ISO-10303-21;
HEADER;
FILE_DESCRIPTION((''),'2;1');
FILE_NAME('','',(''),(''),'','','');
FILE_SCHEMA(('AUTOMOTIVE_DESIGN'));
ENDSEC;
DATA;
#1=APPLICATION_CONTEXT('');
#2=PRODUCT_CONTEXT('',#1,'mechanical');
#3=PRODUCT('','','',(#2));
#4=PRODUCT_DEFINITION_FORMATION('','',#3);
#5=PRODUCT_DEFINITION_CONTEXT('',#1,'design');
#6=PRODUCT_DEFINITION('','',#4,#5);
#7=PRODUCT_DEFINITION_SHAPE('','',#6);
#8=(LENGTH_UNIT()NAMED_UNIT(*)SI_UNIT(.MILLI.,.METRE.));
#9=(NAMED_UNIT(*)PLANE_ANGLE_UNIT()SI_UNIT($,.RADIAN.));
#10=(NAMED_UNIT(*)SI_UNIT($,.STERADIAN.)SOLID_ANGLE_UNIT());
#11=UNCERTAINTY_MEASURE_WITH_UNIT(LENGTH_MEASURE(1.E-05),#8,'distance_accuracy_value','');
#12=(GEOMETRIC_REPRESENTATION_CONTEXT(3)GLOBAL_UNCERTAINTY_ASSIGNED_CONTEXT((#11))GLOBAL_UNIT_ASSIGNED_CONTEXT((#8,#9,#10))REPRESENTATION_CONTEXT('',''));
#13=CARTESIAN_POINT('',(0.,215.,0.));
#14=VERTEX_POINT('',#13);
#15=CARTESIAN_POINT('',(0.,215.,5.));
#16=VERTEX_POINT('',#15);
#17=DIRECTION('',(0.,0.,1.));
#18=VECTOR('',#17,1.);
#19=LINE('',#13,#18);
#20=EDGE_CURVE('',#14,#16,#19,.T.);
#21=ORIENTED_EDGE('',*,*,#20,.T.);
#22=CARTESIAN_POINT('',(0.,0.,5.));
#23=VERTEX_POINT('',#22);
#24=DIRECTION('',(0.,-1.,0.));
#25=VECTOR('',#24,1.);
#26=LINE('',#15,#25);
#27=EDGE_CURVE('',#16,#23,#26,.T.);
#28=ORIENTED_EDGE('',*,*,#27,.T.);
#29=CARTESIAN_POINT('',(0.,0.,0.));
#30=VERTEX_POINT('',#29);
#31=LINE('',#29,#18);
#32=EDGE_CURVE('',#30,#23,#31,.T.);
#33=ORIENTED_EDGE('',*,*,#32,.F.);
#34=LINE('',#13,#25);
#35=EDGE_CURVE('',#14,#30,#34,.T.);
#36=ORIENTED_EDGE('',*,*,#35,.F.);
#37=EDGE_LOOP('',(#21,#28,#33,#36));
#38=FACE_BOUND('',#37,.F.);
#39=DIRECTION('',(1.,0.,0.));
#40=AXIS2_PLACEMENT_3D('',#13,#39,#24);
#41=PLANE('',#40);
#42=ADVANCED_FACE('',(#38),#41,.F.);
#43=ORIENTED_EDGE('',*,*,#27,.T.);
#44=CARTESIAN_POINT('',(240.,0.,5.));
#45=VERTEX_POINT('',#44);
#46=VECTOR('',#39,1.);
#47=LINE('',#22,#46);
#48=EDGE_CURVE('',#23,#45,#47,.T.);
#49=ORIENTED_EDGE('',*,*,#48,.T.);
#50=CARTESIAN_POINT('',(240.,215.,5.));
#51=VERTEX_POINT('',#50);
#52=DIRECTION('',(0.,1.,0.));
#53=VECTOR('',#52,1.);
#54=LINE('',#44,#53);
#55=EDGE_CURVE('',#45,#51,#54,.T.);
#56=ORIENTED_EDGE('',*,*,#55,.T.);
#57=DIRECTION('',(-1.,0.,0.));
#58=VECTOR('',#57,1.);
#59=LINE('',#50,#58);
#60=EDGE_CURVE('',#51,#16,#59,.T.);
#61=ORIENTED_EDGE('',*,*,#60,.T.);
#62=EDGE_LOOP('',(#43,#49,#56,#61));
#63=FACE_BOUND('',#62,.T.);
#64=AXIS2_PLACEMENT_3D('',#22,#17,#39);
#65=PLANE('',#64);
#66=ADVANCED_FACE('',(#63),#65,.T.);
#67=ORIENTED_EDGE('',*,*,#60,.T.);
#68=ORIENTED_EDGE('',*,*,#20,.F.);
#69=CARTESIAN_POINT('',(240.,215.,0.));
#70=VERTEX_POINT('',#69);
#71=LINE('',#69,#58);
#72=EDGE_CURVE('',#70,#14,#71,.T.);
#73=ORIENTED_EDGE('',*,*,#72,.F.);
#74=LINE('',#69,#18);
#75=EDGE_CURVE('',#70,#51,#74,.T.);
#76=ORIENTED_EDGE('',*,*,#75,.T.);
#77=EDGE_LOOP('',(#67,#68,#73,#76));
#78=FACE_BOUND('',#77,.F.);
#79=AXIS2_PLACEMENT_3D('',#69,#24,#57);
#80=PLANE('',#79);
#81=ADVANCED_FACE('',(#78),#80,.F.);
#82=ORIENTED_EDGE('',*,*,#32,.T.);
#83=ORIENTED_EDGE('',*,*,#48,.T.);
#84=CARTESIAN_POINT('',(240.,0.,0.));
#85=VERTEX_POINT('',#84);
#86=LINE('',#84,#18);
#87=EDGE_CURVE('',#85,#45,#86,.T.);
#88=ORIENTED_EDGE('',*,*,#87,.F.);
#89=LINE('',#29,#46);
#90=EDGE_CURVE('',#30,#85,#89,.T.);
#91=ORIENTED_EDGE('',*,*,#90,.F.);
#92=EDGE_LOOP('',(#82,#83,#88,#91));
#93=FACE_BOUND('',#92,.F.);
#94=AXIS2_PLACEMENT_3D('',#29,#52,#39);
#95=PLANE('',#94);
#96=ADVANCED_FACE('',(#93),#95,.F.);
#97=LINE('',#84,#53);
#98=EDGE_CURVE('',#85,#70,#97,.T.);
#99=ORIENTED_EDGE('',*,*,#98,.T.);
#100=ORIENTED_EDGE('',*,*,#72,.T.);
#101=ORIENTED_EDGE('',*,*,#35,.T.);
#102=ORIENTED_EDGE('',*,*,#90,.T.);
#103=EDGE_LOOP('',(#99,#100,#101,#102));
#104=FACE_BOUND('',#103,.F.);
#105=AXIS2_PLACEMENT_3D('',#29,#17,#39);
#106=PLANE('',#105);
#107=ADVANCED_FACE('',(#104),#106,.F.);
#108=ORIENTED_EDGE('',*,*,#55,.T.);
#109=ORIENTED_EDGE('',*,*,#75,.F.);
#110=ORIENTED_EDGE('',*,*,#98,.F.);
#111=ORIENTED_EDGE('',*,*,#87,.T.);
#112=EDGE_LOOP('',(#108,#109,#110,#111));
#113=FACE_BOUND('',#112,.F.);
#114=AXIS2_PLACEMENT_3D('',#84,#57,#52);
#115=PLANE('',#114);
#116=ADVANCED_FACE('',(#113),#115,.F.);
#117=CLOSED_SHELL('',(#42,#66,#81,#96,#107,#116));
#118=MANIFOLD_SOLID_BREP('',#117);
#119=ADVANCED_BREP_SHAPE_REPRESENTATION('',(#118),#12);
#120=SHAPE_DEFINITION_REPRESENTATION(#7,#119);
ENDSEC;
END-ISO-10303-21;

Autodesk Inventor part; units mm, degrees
ref_plane "YZ Plane" through (0, 0, 0) normal (1, 0, 0) x (0, 1, 0)
ref_plane "XZ Plane" through (0, 0, 0) normal (0, 1, 0) x (-1, 0, 0)
ref_plane "XY Plane" through (0, 0, 0) normal (0, 0, 1) x (1, 0, 0)
sketch "Sketch1" plane through (0, 0, 0) normal (0, 0, 1) x (1, 0, 0)
  line L0 (0, 0) -> (240, 0)
  line L1 (240, 0) -> (240, 215)
  line L2 (240, 215) -> (0, 215)
  line L3 (0, 215) -> (0, 0)
  dimension "d0" = 240
  dimension "d1" = 215
extrude "Extrusion1" add sketch "Sketch1" along normal blind 5
properties part number "Plate"
